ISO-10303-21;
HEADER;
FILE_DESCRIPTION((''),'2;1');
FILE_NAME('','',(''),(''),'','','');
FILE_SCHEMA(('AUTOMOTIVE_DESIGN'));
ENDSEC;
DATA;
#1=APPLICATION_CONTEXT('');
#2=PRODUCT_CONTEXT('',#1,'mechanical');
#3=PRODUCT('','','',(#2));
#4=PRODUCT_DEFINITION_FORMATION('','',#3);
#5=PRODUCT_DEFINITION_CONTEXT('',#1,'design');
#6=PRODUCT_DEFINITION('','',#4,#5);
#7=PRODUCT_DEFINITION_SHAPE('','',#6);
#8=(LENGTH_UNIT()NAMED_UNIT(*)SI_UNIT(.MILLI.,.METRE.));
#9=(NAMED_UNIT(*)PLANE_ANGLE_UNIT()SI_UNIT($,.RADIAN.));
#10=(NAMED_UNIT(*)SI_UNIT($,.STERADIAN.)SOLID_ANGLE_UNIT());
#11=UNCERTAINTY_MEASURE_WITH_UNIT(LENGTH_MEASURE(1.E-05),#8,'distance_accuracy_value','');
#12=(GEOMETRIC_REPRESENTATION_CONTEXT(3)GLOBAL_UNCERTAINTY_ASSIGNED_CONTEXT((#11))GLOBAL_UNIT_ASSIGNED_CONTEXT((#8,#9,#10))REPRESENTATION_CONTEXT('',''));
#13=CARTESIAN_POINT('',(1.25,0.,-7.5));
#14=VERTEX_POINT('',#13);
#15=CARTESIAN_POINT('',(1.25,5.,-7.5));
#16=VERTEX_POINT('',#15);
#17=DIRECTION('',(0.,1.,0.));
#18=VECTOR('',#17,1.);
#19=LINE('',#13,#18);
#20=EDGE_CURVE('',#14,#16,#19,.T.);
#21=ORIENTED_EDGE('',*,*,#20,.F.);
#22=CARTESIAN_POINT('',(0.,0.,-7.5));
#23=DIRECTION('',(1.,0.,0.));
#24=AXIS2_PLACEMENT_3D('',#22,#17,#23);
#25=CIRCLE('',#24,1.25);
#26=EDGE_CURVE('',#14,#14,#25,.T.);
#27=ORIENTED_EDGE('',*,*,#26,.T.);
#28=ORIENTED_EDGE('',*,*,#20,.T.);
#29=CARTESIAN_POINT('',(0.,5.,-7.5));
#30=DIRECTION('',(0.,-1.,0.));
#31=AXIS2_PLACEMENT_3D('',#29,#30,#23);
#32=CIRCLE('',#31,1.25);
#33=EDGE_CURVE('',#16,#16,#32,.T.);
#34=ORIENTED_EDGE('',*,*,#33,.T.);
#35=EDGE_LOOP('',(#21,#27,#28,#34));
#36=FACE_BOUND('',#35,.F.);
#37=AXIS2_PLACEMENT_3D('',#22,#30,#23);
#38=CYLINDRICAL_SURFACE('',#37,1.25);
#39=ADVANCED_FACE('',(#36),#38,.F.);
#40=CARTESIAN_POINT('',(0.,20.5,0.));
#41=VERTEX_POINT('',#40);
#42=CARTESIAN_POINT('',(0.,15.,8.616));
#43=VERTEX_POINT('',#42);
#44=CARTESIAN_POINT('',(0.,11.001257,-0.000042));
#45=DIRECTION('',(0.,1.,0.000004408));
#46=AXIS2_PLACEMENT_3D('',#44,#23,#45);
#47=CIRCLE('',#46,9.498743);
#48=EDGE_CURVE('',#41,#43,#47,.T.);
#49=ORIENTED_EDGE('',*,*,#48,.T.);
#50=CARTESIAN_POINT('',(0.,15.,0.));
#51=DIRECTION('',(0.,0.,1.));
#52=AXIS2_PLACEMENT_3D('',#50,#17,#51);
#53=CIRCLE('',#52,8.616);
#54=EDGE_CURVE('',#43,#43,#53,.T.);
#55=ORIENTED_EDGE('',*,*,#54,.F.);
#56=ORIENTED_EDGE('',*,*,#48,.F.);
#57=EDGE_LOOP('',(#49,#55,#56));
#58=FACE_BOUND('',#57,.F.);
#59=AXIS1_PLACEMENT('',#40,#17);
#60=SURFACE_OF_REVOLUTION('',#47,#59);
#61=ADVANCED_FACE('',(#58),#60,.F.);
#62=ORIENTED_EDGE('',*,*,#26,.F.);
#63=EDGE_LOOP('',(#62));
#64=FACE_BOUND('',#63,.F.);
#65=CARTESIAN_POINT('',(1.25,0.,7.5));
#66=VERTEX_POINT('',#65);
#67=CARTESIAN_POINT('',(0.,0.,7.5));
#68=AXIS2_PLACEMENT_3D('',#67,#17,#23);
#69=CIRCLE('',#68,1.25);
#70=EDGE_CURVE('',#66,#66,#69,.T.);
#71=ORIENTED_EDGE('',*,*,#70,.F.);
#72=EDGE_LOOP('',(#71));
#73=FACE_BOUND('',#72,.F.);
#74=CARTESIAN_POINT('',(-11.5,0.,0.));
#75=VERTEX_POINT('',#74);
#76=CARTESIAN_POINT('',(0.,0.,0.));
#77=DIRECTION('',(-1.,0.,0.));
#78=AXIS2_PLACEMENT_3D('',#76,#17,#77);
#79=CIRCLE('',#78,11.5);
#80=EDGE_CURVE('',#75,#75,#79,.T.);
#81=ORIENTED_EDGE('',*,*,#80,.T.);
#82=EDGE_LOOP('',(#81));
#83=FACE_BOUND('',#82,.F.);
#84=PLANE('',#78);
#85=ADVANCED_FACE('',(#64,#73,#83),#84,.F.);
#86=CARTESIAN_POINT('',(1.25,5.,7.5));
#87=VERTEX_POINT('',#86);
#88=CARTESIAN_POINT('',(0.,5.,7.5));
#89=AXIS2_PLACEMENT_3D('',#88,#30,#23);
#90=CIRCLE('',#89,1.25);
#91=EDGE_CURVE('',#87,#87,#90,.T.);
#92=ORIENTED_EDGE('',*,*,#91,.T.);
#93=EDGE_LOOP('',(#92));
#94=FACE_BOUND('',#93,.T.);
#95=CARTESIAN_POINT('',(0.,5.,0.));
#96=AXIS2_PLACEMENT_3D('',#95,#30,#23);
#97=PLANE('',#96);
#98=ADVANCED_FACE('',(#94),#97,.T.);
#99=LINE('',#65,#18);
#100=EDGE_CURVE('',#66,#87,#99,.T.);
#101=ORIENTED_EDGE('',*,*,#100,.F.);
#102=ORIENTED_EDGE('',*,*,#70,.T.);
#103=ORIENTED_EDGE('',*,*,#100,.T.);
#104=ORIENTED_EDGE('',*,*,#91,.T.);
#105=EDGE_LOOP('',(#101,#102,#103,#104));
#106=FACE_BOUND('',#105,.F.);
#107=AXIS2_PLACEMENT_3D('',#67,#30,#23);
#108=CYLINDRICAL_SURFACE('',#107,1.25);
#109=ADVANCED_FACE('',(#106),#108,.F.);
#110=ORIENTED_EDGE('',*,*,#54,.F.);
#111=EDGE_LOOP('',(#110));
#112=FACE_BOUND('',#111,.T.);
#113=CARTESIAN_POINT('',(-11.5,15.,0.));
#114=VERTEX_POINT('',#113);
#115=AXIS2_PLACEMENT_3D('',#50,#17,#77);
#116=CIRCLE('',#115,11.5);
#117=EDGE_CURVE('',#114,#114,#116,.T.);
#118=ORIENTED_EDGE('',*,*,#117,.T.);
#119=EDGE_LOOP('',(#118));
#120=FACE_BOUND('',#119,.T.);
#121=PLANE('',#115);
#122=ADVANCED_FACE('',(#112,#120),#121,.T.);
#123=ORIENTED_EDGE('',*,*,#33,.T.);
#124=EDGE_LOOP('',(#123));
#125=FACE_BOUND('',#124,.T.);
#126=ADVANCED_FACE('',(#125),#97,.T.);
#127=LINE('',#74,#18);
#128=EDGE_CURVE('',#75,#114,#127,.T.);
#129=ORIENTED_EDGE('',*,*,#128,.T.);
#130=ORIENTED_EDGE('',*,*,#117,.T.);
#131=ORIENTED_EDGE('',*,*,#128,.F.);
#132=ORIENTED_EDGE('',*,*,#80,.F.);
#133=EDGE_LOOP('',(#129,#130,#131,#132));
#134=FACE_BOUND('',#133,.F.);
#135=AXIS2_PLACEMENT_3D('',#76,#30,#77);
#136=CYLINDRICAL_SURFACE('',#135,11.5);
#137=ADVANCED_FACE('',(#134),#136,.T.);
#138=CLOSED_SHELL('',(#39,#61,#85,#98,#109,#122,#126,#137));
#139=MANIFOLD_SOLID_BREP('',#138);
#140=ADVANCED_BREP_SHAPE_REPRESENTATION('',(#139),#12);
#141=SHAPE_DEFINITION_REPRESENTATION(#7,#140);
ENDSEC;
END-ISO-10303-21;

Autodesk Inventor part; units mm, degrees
ref_plane "YZ Plane" through (0, 0, 0) normal (1, 0, 0) x (0, 1, 0)
ref_plane "XZ Plane" through (0, 0, 0) normal (0, 1, 0) x (-1, 0, 0)
ref_plane "XY Plane" through (0, 0, 0) normal (0, 0, 1) x (1, 0, 0)
sketch "Sketch1" plane through (0, 0, 0) normal (0, 1, 0) x (-1, 0, 0)
  circle A0 centre (0, 0) radius 11.5
  dimension "d0" = 23
extrude "Extrusion1" add sketch "Sketch1" along normal blind 15
sketch "Sketch2" plane through (0, 0, 0) normal (1, 0, 0) x (0, 1, 0)
  line L0 (0, 0) -> (20.5, 0)
  line L1 (20.5, 0) -> (11.0014, 0) construction
  line L2 (20.5, 0) -> (29.9986, 0) construction
  arc A0 (20.5, 0) -> (15, 8.616) centre (11.0014, 0) ccw
  line L3 (15, 8.616) -> (15, 0)
  line L4 (15, -11.5) -> (15, 11.5) projected
  line L5 (15, 8.616) -> (15, 0)
  line L6 (20.5, 0) -> (15, 0)
  arc A1 (20.5, 0) -> (15, 8.616) centre (11.0014, 0) ccw
  dimension "d3" = 20.5
  dimension "d4" = 9.4986
  dimension "d5" = 180
revolve "Revolution1" add sketch "Sketch2" angle 360 about axis through (0, 20.5, 0) along (0, 1, 0)
sketch "Sketch3" plane through (0, 0, 0) normal (0, -1, 0) x (1, 0, 0)
  line L0 (0, 0) -> (0, -7.5) construction
  line L1 (0, -7.5) -> (0, 7.5)
  circle A0 centre (0, 7.5) radius 1.25
  circle A1 centre (0, -7.5) radius 1.25
  dimension "d7" = 7.5
  dimension "d8" = 15
  dimension "d9" = 2.5
  dimension "d10" = 2.5
extrude "Extrusion2" cut sketch "Sketch3" against normal blind 5
properties part number "Caster"
